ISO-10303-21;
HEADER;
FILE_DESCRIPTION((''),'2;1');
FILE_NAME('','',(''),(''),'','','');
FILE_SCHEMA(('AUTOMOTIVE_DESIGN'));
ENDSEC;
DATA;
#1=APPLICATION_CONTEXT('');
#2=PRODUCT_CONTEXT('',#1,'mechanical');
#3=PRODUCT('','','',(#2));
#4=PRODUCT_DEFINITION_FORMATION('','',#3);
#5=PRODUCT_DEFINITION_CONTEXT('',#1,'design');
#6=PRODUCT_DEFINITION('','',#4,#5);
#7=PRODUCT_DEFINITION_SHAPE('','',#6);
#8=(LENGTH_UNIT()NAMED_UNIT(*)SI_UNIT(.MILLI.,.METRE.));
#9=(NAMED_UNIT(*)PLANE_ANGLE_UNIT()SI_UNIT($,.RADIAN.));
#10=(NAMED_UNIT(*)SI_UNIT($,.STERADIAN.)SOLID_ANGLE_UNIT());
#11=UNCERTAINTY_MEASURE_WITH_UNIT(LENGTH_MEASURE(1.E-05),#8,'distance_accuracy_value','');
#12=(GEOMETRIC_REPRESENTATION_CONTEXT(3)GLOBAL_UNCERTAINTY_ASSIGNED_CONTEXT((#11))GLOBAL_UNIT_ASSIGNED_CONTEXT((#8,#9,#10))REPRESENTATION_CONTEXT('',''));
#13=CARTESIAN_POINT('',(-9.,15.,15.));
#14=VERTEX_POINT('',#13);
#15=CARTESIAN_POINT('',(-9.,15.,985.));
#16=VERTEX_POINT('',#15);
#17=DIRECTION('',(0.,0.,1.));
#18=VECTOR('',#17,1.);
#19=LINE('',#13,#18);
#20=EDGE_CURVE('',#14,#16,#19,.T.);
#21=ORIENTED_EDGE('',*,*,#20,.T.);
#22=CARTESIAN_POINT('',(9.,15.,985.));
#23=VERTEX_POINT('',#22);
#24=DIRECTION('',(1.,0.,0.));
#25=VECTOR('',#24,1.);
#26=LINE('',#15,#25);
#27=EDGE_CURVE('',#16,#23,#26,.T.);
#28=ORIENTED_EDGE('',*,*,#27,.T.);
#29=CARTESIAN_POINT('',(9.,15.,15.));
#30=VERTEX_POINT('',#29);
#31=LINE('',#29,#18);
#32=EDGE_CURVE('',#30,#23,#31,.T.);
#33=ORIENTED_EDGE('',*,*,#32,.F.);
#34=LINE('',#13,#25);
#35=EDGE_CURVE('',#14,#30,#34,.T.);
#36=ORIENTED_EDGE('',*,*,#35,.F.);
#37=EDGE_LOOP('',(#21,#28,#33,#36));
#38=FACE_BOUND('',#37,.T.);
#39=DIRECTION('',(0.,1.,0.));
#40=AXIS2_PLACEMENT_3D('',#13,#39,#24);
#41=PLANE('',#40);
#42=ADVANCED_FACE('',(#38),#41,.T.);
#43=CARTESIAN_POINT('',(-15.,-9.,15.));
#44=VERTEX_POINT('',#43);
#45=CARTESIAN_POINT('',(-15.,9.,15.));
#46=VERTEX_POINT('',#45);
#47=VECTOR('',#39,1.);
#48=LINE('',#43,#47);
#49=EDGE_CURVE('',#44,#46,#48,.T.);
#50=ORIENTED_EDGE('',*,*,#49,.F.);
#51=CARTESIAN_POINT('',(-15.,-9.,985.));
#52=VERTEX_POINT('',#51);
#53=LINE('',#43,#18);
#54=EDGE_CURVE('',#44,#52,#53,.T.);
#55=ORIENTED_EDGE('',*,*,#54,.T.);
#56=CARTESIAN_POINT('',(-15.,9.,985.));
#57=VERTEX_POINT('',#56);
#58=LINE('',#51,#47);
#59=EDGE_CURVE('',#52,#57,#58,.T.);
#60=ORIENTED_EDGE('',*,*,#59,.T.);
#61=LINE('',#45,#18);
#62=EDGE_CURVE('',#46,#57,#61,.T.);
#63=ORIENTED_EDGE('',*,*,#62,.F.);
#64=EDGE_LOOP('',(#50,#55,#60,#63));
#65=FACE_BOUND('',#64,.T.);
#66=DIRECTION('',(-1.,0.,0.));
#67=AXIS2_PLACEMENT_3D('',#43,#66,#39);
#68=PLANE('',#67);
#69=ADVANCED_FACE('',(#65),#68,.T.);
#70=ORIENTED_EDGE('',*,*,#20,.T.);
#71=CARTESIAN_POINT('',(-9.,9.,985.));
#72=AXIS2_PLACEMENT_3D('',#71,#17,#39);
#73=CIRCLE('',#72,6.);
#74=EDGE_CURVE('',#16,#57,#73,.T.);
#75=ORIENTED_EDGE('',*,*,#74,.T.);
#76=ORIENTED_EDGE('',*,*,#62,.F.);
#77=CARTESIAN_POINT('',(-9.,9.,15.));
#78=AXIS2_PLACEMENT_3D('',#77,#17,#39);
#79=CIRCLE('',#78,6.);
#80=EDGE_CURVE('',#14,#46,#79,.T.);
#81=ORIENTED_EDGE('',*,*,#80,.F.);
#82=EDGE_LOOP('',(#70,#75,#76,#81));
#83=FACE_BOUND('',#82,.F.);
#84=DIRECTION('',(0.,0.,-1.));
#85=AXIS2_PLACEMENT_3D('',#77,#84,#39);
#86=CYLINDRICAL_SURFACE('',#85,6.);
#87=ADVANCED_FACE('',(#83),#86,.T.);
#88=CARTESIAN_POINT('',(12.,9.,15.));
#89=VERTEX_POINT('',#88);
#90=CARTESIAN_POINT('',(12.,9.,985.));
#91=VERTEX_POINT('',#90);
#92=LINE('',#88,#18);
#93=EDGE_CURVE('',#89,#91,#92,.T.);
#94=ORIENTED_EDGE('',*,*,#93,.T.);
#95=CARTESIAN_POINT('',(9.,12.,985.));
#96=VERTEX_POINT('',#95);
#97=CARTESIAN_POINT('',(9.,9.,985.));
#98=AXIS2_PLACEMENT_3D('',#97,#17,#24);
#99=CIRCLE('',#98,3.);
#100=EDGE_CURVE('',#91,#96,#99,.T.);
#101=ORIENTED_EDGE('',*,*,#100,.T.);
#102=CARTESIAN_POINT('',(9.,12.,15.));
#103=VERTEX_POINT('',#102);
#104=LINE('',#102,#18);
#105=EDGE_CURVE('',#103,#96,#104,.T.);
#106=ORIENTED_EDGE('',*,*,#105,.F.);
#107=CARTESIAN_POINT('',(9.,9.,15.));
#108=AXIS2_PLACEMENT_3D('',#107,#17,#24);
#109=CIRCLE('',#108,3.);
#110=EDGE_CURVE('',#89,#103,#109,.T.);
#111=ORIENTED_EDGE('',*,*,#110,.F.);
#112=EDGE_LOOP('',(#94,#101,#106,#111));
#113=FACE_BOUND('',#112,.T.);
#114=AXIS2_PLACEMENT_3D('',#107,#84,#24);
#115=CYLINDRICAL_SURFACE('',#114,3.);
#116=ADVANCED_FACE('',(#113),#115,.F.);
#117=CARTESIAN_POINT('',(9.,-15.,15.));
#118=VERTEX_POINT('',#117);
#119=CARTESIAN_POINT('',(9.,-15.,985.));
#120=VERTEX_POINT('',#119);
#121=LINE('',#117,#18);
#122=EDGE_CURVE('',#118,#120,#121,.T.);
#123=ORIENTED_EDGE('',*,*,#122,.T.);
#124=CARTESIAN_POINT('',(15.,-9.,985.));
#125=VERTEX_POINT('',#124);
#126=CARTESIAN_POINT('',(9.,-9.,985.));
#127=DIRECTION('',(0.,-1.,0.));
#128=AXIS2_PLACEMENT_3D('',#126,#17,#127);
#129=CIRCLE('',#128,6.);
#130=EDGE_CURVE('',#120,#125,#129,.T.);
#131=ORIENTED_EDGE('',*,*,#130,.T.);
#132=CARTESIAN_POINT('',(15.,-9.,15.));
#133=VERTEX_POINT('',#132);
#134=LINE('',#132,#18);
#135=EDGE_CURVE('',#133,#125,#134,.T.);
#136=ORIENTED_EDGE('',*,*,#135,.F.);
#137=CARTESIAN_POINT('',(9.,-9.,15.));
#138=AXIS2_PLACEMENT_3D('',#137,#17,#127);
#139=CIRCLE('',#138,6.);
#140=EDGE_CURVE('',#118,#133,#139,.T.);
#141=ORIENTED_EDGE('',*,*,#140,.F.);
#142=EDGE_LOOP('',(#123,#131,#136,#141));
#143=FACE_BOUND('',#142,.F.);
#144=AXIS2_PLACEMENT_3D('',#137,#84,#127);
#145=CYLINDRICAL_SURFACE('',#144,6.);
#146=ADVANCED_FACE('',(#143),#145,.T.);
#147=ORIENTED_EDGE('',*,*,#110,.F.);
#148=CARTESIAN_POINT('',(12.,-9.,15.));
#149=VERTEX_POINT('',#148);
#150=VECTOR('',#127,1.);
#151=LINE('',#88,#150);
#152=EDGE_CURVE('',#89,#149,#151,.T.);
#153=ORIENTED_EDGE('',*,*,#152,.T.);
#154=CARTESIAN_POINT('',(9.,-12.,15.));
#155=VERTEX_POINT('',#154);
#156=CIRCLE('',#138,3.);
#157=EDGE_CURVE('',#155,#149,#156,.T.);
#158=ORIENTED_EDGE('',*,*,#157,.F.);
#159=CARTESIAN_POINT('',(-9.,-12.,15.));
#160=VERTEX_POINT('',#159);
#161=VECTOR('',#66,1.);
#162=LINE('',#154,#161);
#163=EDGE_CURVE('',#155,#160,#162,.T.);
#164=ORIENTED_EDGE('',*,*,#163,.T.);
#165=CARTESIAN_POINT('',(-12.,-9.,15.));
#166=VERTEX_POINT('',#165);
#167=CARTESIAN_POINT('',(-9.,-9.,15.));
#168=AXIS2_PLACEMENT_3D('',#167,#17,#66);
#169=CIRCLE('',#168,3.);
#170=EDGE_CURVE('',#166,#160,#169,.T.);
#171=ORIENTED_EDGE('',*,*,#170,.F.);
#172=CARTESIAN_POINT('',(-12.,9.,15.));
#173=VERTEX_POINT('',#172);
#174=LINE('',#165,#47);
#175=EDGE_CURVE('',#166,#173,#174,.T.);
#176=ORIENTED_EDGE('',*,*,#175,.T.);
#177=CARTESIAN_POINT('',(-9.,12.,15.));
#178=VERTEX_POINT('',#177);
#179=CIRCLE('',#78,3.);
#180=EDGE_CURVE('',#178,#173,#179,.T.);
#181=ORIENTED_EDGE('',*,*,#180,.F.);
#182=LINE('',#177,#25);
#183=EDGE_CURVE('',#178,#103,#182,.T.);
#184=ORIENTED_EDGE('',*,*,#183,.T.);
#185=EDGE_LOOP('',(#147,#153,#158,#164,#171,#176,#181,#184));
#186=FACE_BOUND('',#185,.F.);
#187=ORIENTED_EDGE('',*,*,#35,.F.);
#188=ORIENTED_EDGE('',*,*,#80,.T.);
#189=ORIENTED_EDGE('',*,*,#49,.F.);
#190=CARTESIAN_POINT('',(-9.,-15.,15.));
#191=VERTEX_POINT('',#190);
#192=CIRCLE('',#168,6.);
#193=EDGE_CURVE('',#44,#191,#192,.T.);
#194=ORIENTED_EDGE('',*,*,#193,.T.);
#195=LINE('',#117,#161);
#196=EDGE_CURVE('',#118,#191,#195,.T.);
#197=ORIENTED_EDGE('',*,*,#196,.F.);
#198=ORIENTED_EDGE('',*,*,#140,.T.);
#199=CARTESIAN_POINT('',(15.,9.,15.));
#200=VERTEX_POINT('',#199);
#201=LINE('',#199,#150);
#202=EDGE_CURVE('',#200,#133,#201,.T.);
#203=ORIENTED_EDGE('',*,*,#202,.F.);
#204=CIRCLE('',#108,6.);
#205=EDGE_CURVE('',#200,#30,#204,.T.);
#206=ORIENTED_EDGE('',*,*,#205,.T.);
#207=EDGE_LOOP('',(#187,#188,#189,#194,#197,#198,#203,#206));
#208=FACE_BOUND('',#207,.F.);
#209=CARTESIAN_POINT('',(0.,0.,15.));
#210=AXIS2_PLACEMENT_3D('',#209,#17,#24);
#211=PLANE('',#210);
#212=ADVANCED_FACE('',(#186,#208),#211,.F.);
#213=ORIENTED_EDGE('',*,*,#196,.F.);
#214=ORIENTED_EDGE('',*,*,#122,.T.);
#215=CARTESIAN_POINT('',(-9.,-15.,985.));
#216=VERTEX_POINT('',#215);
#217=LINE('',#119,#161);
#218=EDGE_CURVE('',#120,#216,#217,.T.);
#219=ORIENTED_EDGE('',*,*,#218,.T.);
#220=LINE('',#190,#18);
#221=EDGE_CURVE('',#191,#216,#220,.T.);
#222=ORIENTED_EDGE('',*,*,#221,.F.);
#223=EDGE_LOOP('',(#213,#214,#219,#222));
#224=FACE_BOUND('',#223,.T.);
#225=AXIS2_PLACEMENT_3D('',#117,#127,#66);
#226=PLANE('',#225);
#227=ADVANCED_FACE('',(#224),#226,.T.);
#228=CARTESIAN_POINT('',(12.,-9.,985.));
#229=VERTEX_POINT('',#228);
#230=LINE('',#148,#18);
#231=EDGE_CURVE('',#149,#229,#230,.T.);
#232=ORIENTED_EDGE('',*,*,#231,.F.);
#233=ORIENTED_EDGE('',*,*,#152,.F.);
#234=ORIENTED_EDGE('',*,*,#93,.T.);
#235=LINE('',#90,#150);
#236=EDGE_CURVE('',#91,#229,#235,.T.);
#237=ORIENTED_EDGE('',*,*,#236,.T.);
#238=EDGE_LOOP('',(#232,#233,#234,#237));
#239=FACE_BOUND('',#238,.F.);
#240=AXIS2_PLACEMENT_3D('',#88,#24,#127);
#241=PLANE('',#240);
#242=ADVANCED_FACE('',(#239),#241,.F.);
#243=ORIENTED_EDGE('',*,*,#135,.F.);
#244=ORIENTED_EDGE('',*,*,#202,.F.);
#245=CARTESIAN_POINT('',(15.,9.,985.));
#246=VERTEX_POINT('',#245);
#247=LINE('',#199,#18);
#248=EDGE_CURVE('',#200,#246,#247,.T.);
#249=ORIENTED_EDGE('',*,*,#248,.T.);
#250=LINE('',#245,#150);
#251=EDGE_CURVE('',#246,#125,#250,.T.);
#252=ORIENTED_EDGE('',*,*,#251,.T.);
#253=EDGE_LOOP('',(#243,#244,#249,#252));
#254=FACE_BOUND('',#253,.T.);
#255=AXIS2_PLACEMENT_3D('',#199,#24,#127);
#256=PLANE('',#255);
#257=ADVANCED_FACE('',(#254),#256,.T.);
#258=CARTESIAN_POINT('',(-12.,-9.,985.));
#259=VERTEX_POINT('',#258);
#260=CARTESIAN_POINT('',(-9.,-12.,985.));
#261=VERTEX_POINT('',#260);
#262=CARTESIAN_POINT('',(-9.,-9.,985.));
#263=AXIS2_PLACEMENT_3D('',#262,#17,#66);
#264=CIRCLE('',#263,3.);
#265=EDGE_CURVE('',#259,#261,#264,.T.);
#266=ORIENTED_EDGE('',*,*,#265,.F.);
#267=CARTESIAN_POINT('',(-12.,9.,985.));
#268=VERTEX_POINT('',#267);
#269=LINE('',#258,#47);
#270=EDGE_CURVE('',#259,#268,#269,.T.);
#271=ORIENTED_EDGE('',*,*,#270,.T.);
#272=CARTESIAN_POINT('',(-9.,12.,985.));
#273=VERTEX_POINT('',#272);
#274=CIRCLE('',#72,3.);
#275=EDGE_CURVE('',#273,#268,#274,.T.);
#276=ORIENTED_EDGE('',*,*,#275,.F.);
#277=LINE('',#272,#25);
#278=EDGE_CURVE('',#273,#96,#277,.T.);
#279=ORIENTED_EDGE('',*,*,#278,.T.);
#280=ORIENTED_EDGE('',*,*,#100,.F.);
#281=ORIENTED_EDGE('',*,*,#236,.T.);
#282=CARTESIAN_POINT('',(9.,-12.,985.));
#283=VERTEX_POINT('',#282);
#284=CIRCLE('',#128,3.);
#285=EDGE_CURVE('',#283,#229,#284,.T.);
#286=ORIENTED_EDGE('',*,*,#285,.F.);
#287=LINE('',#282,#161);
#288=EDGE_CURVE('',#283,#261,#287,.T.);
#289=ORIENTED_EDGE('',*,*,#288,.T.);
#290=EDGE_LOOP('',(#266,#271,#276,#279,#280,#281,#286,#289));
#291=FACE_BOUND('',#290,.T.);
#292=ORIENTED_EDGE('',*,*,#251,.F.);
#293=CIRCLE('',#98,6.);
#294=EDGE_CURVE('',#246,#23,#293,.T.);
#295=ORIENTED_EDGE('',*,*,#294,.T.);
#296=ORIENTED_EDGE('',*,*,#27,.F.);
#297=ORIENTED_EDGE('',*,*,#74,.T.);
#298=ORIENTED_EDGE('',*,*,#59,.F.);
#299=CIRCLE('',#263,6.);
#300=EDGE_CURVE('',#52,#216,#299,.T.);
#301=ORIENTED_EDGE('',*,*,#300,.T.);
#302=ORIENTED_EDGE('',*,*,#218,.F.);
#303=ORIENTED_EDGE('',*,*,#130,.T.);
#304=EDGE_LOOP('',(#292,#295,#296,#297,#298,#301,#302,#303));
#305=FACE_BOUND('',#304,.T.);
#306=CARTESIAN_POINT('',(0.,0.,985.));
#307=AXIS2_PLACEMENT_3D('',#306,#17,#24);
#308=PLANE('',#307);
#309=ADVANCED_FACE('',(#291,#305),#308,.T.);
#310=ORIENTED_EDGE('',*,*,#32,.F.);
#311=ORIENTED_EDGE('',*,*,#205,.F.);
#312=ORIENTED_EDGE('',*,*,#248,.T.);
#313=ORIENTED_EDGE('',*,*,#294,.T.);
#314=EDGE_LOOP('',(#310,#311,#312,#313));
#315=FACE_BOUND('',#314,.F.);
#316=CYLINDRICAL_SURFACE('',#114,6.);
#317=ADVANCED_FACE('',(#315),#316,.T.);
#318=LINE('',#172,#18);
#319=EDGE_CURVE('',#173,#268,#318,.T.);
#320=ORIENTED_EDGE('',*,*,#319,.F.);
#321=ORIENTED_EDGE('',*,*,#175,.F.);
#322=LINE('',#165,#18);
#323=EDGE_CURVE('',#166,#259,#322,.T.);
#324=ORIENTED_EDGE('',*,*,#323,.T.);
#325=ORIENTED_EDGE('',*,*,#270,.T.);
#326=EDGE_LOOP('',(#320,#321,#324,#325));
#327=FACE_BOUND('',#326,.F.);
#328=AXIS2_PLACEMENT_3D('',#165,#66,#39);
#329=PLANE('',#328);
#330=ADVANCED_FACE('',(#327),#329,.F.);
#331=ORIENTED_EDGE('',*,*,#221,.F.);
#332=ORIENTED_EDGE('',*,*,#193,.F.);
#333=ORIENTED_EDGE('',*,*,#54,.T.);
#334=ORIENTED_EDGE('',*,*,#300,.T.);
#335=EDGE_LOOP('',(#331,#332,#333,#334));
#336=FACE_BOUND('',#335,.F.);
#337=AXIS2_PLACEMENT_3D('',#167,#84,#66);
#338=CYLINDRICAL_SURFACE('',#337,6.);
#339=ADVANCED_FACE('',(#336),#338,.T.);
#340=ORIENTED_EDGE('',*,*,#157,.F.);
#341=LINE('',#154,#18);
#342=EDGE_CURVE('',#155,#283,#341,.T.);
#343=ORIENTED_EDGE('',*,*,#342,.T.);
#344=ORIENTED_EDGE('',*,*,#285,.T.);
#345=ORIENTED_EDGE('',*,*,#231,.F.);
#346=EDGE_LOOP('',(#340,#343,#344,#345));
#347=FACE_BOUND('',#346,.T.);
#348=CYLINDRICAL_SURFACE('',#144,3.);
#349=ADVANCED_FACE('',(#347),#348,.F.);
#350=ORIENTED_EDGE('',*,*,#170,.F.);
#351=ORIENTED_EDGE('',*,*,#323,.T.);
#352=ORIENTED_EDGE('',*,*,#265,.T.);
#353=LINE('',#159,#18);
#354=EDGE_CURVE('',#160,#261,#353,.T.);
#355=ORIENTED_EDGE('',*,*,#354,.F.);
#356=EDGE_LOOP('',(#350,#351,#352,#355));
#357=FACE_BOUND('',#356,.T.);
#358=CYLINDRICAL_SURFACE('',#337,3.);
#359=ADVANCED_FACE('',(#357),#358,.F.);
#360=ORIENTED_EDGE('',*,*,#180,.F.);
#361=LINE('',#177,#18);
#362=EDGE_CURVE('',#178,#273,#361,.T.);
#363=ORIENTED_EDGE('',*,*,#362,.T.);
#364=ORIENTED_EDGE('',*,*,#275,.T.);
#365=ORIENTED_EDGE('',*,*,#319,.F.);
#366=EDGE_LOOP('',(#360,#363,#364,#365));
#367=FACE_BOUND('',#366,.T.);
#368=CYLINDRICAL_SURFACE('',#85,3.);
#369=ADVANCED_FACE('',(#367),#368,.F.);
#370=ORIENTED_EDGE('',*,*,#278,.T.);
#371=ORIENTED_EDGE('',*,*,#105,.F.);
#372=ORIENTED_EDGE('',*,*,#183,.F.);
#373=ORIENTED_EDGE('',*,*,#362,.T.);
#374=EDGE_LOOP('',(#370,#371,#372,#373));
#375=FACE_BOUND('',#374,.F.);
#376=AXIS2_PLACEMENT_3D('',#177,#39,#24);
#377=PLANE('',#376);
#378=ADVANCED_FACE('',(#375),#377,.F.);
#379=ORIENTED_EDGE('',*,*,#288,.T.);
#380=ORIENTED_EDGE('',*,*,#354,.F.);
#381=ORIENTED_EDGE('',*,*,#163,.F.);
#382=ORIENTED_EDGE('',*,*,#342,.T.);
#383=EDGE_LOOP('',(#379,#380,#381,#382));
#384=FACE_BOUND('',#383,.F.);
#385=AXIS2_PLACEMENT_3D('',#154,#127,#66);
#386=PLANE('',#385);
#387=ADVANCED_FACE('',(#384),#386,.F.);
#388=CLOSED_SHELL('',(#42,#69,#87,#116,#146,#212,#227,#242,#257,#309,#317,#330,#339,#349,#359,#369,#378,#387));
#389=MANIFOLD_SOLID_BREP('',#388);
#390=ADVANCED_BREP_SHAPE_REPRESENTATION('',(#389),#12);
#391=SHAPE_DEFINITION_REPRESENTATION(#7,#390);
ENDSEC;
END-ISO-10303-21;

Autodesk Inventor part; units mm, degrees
ref_plane "Start Plane" through (0, 0, 15) normal (0, 0, 1) x (1, 0, 0)
ref_plane "End Plane" through (0, 0, 985) normal (0, 0, 1) x (1, 0, 0)
sketch "Sketch" plane through (0, 0, 0) normal (0, 0, 1) x (1, 0, 0)
  line L0 (-15, -9) -> (-15, 9)
  line L1 (-9, 15) -> (9, 15)
  line L2 (15, 9) -> (15, -9)
  line L3 (9, -15) -> (-9, -15)
  arc A0 (-15, -9) -> (-9, -15) centre (-9, -9) ccw
  arc A1 (-9, 15) -> (-15, 9) centre (-9, 9) ccw
  arc A2 (15, 9) -> (9, 15) centre (9, 9) ccw
  arc A3 (9, -15) -> (15, -9) centre (9, -9) ccw
  arc A4 (-9, 12) -> (-12, 9) centre (-9, 9) ccw
  line L4 (-9, 12) -> (9, 12)
  arc A5 (12, 9) -> (9, 12) centre (9, 9) ccw
  line L5 (12, 9) -> (12, -9)
  arc A6 (9, -12) -> (12, -9) centre (9, -9) ccw
  line L6 (9, -12) -> (-9, -12)
  arc A7 (-12, -9) -> (-9, -12) centre (-9, -9) ccw
  line L7 (-12, -9) -> (-12, 9)
  line L8 (0, 22.7397) -> (0, -22.7397) construction
  line L9 (-22.7397, 0) -> (22.7397, 0) construction
  dimension "d7" = 6
  dimension "d10" = 30
  dimension "d11" = 30
  dimension "d12" = 3
  dimension "d15" = 15
  dimension "d16" = 15
extrude "Body" add sketch "Sketch" along normal up to surface (970 mm away) from surface at 15
sketch "Sketch3" plane through (0, 0, 0) normal (0, 0, 1) x (1, 0, 0)
  line L0 (0, 0) -> (10, 0)
ref_plane "Work Plane3" through (0, 0, 0) normal (0, -1, 0) x (1, 0, 0)
ref_plane "Work Plane4" through (-9, -2487, 15) normal (0, 0, -1) x (-1, 0, 0)
split "Split1" plane through (-9, -2487, 15) removes the side toward (0, 0, -1)
ref_plane "Work Plane5" through (9, -2487, 985) normal (0, 0, 1) x (1, 0, 0)
split "Split2" plane through (9, -2487, 985) removes the side toward (0, 0, 1)
sketch "Sketch4" plane through (0, 0, 0) normal (0, -1, 0) x (1, 0, 0)
  line L0 (-2, 15) -> (12, 15) projected
  line L1 (-2, 985) -> (12, 985) projected
  dimension "d18" = 970
equation "\"d7\" = G_IR"
equation "\"d10\" = G_H"
equation "\"d11\" = G_W"
equation "\"d12\" = G_T"
equation "\"d15\" = 0.5 * d10"
equation "\"d16\" = 0.5 * d11"
equation "\"d3\" = G_L"
equation "\"G_W\" = 30"
equation "\"G_H\" = 30"
equation "\"G_T\" = 3"
equation "\"G_IR\" = 6"
equation "\"G_L\" = d18"
equation "\"G_OFFSET_START\" = -15"
equation "\"G_OFFSET_END\" = -15"
equation "\"d13\" = -G_OFFSET_START"
equation "\"d14\" = G_OFFSET_END + B_L"
equation "\"B_L\" = 1000"
properties part number "DIN EN 10219-2 - 30 x 30 x 3  - 970" material "Steel, Mild"
